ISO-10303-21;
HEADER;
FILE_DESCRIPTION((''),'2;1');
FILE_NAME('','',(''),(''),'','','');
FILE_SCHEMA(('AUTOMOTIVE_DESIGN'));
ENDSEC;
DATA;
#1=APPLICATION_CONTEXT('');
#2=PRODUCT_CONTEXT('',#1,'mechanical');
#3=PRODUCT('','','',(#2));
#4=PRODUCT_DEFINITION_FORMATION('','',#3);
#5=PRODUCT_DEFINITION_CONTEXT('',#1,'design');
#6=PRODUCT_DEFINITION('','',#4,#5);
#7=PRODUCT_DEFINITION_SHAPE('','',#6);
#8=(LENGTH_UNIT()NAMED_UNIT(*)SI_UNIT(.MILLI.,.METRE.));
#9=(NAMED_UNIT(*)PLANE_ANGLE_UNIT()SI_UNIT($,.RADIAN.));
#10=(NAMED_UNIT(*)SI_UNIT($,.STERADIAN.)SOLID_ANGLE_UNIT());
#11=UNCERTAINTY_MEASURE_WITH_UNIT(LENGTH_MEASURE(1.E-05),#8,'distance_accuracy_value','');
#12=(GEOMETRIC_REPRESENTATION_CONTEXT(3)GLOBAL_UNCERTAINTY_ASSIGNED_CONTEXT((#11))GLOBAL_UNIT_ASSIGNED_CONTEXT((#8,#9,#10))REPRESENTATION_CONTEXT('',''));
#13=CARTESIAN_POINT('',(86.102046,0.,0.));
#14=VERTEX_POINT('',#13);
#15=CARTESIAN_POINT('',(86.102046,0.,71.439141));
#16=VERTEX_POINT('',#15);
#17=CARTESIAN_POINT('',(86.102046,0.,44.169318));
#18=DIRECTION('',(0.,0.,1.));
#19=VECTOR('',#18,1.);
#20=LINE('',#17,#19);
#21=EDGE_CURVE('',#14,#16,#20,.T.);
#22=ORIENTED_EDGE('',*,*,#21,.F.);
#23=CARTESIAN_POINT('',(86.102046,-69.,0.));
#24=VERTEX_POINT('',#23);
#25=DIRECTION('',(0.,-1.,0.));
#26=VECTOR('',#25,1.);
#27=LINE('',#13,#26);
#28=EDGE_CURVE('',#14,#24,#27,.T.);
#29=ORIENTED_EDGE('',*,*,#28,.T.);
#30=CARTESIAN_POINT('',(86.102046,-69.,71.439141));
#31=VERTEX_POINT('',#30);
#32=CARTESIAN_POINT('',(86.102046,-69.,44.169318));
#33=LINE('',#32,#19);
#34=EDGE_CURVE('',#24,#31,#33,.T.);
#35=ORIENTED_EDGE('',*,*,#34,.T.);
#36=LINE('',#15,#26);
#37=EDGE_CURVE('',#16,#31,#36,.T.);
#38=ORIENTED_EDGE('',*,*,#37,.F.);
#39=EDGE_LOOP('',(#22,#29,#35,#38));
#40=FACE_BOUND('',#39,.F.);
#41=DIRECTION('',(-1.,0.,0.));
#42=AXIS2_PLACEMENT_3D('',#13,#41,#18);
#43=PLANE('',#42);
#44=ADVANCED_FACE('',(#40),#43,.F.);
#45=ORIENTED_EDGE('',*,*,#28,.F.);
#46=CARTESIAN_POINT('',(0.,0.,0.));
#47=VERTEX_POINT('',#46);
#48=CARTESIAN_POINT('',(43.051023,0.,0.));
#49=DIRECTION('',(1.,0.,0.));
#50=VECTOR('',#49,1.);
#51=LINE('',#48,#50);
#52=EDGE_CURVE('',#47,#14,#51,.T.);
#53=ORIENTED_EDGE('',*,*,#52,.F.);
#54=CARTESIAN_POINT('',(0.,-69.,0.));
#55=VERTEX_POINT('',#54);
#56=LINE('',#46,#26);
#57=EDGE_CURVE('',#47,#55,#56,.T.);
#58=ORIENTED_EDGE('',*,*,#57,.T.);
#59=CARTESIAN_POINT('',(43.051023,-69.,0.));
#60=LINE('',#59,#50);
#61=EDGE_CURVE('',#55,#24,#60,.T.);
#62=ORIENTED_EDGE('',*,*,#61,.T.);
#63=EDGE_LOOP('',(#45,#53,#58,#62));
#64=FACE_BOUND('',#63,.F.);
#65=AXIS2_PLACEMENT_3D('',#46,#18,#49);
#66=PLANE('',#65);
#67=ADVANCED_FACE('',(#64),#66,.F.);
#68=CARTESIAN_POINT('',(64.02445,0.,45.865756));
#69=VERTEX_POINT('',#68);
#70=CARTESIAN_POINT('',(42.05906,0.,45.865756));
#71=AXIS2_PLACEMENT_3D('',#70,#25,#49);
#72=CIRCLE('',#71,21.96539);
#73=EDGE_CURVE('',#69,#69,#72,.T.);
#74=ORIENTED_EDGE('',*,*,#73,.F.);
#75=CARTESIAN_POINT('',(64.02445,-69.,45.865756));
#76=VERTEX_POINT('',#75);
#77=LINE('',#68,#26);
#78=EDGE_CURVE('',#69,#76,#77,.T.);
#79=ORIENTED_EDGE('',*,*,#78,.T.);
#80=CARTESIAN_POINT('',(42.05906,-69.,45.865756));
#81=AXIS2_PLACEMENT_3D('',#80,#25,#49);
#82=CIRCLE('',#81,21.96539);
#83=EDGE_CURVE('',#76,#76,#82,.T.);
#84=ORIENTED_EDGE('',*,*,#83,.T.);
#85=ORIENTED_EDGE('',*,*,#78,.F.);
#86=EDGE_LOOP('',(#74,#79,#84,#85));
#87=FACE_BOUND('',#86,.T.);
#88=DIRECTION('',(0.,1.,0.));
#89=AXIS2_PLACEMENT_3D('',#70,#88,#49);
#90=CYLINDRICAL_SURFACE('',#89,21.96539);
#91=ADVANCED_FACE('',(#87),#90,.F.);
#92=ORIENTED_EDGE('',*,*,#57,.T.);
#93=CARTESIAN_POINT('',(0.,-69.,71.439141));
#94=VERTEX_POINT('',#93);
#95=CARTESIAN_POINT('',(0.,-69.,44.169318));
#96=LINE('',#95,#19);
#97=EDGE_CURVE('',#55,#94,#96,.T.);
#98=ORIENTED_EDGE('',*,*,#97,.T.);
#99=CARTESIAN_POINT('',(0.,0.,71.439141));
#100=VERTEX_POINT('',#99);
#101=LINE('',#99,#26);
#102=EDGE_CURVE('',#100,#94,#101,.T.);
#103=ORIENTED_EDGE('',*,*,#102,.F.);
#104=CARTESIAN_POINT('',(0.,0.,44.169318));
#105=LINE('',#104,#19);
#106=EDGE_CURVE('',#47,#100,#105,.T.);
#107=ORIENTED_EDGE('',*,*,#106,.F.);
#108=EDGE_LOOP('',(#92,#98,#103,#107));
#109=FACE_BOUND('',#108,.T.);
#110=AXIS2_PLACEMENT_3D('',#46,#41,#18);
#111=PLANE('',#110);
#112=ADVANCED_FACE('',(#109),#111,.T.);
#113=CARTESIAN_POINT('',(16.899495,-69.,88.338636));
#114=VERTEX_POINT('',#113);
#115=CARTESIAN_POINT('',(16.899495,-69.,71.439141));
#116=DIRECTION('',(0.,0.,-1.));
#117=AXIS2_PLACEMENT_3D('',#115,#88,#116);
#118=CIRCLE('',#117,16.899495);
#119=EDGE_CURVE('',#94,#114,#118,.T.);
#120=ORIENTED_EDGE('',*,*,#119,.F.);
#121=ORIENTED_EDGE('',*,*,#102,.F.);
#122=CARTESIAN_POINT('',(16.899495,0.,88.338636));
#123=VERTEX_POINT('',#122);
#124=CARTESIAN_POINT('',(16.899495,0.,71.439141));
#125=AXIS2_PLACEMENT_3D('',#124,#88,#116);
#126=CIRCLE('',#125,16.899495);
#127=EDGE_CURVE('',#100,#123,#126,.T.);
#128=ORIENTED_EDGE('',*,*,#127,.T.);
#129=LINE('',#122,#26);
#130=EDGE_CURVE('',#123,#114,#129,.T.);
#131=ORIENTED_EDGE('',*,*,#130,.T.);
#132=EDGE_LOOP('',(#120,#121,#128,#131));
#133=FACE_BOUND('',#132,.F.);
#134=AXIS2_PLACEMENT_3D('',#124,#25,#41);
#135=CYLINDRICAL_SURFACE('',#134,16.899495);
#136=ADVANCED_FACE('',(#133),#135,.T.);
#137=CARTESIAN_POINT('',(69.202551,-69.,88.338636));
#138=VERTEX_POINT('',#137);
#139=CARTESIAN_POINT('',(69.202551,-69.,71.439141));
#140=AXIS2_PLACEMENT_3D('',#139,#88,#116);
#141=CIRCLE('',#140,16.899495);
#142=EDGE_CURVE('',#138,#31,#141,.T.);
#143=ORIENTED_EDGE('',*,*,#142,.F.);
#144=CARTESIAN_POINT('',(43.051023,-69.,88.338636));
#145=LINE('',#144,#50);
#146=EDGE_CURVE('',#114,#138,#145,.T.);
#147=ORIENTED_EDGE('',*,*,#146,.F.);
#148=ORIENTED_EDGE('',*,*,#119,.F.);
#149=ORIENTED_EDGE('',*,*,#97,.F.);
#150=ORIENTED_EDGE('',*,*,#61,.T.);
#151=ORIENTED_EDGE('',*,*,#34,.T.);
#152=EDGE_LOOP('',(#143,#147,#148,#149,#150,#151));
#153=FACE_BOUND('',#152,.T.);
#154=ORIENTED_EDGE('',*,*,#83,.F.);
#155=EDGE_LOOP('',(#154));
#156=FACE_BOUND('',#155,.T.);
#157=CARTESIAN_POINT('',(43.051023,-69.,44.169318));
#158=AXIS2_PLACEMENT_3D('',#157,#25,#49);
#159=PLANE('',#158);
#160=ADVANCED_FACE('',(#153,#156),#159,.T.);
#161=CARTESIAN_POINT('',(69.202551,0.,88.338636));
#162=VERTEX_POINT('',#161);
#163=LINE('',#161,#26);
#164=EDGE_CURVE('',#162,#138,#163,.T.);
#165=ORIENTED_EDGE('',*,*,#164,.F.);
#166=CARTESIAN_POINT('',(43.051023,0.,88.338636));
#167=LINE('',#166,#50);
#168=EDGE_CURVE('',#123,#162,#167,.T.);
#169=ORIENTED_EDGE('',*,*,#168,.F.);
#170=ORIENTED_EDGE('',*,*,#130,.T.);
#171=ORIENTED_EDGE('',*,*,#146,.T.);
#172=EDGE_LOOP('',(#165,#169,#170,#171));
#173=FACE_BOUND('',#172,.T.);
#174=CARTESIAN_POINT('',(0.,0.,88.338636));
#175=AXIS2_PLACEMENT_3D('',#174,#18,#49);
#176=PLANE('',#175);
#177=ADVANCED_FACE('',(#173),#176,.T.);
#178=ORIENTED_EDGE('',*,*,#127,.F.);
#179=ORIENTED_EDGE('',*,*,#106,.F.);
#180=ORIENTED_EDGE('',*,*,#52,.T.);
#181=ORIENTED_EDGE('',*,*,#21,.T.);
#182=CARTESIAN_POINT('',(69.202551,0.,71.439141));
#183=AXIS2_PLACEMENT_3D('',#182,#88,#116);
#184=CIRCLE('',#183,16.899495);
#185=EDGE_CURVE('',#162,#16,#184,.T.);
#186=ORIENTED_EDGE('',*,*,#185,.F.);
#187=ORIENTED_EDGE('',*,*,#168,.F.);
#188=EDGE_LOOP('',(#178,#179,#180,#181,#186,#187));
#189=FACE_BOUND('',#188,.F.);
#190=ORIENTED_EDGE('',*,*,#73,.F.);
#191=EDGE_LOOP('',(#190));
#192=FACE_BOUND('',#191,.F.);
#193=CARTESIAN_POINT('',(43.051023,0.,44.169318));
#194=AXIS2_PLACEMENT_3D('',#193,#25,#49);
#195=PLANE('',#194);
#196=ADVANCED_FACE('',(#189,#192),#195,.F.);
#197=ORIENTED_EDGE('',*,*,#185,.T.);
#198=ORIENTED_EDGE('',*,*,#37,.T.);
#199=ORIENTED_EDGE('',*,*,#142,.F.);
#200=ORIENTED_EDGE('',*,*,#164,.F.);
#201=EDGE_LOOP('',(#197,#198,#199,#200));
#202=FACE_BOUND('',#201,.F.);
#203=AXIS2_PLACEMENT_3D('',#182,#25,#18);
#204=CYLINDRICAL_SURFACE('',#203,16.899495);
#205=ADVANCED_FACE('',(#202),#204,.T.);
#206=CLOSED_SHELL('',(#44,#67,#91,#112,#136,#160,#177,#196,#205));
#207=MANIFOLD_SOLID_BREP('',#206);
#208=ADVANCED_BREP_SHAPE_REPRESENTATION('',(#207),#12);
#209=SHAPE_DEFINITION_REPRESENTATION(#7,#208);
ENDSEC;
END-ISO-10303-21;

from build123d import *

# Parameters (mm, degrees)
F0_W     = 86.102046
F0_H     = 88.338636
F0_R     = 21.96539
F1_DEPTH = 69
F2_R     = 16.899495


with BuildPart() as f1:
    # F0 (on Front) → F1 (new body)
    with BuildSketch(Plane.XZ):
        with Locations((43.051023, 44.169318)):
            Rectangle(F0_W, F0_H)
        with Locations((42.05906, 45.865756)):
            Circle(F0_R, mode=Mode.SUBTRACT)
    extrude(amount=F1_DEPTH)

    # F2
    f2_edges = [f1.edges().sort_by_distance(p)[0] for p in [
        (0, -34.5, 88.338636),
        (86.102046, -34.5, 88.338636),
    ]]
    fillet(f2_edges, radius=F2_R)


solid = f1.part
